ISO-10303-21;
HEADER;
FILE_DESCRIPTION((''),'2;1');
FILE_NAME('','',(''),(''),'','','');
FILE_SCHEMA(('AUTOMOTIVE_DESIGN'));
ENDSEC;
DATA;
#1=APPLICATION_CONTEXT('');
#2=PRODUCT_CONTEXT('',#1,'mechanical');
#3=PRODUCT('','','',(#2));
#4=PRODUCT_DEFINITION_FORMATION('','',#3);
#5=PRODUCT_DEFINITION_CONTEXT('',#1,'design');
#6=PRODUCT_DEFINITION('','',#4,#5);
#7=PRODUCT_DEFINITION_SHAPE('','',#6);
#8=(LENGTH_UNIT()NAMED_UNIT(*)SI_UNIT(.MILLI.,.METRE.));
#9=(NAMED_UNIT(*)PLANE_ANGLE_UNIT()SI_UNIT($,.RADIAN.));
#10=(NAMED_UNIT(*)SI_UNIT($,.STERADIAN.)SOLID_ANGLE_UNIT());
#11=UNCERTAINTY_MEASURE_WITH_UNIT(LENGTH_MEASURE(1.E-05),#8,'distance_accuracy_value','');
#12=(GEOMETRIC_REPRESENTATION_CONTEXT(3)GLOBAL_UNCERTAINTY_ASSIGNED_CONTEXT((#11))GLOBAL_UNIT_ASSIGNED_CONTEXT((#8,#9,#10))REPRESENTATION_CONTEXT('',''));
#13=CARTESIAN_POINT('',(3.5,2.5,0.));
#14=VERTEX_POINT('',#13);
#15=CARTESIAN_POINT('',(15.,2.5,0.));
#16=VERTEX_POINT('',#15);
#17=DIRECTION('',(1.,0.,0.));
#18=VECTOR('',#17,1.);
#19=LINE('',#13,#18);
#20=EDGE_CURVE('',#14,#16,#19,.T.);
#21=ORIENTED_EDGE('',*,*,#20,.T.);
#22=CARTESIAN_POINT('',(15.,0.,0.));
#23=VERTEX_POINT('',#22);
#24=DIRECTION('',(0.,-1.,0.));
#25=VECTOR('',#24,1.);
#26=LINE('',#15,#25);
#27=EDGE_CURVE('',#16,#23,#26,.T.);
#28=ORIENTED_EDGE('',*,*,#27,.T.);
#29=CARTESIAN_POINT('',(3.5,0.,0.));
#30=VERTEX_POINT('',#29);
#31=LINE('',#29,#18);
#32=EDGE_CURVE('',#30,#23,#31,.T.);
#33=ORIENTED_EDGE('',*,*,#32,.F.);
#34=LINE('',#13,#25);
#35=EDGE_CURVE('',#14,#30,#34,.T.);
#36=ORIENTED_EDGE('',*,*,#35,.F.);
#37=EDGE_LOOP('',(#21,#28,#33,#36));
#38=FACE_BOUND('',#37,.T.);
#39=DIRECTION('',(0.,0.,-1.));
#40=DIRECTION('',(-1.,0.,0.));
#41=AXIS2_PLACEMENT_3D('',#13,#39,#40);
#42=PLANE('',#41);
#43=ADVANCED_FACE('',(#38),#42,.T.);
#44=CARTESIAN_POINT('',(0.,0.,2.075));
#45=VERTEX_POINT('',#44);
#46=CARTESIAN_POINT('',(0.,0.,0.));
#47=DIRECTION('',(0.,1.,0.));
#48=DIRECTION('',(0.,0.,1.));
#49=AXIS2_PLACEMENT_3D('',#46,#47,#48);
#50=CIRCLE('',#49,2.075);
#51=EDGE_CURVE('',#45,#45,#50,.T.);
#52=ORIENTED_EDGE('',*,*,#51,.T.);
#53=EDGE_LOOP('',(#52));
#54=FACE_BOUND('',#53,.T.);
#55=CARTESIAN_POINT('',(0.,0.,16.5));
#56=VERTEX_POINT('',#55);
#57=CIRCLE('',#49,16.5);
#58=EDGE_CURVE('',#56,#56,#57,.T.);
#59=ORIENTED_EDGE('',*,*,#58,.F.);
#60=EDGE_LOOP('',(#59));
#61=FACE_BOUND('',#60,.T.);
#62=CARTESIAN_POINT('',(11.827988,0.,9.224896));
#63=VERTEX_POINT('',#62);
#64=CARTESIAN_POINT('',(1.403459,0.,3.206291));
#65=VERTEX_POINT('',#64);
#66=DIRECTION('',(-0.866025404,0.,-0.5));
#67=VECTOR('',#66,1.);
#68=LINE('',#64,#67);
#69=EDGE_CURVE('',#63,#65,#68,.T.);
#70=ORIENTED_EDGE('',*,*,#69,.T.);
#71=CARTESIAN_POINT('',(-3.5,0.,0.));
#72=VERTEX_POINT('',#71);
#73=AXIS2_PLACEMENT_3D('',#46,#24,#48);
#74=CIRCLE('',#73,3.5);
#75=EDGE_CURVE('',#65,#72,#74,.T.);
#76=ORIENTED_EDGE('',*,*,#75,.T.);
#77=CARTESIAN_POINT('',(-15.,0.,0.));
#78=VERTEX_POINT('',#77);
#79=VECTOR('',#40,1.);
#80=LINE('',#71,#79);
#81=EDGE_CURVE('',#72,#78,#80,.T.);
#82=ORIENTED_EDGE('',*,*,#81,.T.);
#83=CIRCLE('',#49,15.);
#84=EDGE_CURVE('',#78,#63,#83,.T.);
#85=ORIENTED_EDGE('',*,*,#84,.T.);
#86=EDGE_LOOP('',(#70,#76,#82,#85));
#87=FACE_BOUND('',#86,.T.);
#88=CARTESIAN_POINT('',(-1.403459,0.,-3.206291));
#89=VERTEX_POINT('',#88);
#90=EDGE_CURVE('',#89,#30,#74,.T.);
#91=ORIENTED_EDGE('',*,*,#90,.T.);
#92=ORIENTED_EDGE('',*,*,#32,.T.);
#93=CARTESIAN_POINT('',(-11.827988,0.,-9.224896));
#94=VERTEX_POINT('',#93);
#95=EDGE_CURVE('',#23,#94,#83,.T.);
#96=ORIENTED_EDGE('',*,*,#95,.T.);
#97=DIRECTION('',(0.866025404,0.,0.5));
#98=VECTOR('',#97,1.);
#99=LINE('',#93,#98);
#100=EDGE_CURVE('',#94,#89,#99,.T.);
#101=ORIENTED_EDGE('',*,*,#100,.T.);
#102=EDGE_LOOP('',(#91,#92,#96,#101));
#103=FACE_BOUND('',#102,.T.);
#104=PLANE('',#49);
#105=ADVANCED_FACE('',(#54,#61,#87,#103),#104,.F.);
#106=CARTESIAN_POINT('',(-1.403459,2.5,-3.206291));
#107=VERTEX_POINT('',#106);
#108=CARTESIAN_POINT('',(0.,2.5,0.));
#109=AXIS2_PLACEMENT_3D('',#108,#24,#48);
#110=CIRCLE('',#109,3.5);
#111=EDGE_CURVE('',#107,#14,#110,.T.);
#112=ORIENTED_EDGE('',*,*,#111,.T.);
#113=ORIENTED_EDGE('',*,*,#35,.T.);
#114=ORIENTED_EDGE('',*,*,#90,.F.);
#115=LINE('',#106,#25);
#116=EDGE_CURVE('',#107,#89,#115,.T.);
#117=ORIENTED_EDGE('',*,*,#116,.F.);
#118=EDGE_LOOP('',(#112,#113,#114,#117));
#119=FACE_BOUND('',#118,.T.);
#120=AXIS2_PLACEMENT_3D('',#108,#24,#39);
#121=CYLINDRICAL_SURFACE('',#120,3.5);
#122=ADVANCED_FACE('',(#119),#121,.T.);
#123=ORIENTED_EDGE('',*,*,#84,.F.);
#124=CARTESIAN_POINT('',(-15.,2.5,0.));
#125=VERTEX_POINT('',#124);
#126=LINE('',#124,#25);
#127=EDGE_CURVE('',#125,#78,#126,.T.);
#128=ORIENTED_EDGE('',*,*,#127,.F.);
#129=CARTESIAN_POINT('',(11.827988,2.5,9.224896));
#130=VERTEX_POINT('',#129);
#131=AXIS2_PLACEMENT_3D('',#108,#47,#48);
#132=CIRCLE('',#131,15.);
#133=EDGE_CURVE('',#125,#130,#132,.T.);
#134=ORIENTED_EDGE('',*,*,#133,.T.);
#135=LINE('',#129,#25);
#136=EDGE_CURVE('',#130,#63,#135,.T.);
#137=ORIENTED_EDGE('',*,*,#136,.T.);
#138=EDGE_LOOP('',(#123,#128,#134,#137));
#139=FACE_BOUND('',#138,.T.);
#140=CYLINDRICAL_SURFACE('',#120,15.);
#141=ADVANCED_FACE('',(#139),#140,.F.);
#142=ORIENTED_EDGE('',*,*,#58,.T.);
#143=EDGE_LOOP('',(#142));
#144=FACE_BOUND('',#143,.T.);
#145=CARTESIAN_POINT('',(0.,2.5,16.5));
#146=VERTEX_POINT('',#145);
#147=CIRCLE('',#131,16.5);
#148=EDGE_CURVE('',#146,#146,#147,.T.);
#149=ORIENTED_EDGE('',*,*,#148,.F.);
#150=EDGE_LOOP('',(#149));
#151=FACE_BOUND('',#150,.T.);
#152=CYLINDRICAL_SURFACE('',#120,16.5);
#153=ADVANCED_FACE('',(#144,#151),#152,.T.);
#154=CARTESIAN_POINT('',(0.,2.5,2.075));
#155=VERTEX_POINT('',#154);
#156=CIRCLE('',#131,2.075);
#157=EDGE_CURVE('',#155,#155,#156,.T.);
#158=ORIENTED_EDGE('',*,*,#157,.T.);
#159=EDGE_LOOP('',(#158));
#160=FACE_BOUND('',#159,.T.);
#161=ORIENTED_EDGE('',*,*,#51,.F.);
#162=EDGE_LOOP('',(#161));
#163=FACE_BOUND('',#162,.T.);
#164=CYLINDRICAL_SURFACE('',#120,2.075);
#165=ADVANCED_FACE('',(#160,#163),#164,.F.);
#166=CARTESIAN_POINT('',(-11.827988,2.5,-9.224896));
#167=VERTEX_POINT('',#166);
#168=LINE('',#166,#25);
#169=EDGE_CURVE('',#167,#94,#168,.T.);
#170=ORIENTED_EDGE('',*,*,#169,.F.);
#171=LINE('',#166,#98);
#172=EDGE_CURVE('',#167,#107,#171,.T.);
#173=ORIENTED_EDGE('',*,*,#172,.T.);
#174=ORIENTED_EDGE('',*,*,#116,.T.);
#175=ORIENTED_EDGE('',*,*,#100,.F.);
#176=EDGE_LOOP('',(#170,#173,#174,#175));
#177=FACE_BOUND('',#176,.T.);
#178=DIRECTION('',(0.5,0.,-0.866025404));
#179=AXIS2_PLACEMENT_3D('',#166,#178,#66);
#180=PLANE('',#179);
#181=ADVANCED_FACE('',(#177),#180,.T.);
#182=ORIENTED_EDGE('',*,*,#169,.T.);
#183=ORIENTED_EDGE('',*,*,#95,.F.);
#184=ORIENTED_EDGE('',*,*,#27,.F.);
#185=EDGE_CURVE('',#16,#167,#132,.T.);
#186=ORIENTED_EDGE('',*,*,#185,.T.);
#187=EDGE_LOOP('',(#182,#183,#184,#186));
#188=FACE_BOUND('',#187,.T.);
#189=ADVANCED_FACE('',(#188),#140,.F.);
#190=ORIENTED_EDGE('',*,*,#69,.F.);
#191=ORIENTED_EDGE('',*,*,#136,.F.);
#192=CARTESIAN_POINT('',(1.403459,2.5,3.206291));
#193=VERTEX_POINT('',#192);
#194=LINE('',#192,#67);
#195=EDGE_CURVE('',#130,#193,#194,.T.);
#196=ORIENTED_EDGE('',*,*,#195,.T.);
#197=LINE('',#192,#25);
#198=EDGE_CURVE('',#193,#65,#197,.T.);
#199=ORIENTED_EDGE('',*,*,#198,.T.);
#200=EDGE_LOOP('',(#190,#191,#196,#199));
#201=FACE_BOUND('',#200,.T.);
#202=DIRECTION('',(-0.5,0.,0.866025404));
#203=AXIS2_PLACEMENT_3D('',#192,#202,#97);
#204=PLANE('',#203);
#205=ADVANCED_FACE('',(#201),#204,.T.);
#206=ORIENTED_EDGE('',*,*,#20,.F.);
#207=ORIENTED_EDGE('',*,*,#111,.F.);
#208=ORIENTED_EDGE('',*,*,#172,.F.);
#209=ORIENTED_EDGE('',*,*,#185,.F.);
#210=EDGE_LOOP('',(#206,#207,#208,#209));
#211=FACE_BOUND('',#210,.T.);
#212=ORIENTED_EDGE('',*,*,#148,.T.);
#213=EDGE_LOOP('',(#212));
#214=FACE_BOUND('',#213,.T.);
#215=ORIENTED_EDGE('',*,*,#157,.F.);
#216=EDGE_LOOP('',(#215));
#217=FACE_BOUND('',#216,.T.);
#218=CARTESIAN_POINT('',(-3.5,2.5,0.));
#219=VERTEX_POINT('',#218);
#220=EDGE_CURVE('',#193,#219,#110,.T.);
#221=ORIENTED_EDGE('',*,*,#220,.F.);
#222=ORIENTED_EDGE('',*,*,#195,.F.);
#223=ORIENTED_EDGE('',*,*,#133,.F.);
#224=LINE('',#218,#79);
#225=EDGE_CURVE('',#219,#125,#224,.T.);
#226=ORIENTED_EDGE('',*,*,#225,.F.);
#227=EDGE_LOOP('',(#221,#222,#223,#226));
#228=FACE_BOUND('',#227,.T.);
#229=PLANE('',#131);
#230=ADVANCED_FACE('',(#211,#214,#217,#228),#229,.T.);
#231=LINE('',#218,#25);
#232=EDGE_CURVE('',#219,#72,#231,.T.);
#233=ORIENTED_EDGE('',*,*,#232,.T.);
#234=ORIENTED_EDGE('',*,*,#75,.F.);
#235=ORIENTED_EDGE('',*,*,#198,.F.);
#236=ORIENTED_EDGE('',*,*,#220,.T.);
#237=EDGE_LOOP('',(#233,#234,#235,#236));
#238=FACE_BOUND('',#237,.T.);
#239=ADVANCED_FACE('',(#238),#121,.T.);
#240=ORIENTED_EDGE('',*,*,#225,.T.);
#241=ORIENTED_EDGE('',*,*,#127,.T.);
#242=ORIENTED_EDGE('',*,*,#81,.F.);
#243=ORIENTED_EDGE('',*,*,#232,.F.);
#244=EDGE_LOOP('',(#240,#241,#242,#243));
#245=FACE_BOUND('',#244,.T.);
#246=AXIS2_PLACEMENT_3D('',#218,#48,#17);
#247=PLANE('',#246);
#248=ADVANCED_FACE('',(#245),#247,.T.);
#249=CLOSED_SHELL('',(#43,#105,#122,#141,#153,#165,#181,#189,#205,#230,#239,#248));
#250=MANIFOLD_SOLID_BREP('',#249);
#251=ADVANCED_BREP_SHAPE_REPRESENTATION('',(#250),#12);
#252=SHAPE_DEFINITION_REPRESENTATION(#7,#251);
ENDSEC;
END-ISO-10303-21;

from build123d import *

# Parameters (mm, degrees)
SKETCH1_R           = 16.5
SKETCH1_R_2         = 2.075
BOSS_EXTRUDE1_DEPTH = 2.5


with BuildPart() as part:
    # Sketch1 → Boss-Extrude1 (new body)
    with BuildSketch(Plane(origin=(0, 0, 0), x_dir=(1, 0, 0), z_dir=(0, 1, 0))):
        with Locations(Location((0, 0, 0), (0, 0, 270))):
            Circle(SKETCH1_R)
        with Locations(Location((0, 0, 0), (0, 0, 270))):
            Circle(SKETCH1_R_2, mode=Mode.SUBTRACT)
        with BuildLine():
            Line((-3.5, 0), (-15, 0))
            ThreePointArc((-15, 0), (-4.877508592, -14.1848479), (11.827987991, -9.224895668))
            Line((11.827987991, -9.224895668), (1.403459084, -3.206291097))
            ThreePointArc((1.403459084, -3.206291097), (-1.915449452, -2.92934351), (-3.5, 0))
        make_face(mode=Mode.SUBTRACT)
        with BuildLine():
            Line((-11.827987991, 9.224895668), (-1.403459084, 3.206291097))
            ThreePointArc((-1.403459084, 3.206291097), (1.915449452, 2.92934351), (3.5, 0))
            Line((3.5, 0), (15, 0))
            ThreePointArc((15, 0), (4.877508592, 14.1848479), (-11.827987991, 9.224895668))
        make_face(mode=Mode.SUBTRACT)
    extrude(amount=BOSS_EXTRUDE1_DEPTH)


solid = part.part
